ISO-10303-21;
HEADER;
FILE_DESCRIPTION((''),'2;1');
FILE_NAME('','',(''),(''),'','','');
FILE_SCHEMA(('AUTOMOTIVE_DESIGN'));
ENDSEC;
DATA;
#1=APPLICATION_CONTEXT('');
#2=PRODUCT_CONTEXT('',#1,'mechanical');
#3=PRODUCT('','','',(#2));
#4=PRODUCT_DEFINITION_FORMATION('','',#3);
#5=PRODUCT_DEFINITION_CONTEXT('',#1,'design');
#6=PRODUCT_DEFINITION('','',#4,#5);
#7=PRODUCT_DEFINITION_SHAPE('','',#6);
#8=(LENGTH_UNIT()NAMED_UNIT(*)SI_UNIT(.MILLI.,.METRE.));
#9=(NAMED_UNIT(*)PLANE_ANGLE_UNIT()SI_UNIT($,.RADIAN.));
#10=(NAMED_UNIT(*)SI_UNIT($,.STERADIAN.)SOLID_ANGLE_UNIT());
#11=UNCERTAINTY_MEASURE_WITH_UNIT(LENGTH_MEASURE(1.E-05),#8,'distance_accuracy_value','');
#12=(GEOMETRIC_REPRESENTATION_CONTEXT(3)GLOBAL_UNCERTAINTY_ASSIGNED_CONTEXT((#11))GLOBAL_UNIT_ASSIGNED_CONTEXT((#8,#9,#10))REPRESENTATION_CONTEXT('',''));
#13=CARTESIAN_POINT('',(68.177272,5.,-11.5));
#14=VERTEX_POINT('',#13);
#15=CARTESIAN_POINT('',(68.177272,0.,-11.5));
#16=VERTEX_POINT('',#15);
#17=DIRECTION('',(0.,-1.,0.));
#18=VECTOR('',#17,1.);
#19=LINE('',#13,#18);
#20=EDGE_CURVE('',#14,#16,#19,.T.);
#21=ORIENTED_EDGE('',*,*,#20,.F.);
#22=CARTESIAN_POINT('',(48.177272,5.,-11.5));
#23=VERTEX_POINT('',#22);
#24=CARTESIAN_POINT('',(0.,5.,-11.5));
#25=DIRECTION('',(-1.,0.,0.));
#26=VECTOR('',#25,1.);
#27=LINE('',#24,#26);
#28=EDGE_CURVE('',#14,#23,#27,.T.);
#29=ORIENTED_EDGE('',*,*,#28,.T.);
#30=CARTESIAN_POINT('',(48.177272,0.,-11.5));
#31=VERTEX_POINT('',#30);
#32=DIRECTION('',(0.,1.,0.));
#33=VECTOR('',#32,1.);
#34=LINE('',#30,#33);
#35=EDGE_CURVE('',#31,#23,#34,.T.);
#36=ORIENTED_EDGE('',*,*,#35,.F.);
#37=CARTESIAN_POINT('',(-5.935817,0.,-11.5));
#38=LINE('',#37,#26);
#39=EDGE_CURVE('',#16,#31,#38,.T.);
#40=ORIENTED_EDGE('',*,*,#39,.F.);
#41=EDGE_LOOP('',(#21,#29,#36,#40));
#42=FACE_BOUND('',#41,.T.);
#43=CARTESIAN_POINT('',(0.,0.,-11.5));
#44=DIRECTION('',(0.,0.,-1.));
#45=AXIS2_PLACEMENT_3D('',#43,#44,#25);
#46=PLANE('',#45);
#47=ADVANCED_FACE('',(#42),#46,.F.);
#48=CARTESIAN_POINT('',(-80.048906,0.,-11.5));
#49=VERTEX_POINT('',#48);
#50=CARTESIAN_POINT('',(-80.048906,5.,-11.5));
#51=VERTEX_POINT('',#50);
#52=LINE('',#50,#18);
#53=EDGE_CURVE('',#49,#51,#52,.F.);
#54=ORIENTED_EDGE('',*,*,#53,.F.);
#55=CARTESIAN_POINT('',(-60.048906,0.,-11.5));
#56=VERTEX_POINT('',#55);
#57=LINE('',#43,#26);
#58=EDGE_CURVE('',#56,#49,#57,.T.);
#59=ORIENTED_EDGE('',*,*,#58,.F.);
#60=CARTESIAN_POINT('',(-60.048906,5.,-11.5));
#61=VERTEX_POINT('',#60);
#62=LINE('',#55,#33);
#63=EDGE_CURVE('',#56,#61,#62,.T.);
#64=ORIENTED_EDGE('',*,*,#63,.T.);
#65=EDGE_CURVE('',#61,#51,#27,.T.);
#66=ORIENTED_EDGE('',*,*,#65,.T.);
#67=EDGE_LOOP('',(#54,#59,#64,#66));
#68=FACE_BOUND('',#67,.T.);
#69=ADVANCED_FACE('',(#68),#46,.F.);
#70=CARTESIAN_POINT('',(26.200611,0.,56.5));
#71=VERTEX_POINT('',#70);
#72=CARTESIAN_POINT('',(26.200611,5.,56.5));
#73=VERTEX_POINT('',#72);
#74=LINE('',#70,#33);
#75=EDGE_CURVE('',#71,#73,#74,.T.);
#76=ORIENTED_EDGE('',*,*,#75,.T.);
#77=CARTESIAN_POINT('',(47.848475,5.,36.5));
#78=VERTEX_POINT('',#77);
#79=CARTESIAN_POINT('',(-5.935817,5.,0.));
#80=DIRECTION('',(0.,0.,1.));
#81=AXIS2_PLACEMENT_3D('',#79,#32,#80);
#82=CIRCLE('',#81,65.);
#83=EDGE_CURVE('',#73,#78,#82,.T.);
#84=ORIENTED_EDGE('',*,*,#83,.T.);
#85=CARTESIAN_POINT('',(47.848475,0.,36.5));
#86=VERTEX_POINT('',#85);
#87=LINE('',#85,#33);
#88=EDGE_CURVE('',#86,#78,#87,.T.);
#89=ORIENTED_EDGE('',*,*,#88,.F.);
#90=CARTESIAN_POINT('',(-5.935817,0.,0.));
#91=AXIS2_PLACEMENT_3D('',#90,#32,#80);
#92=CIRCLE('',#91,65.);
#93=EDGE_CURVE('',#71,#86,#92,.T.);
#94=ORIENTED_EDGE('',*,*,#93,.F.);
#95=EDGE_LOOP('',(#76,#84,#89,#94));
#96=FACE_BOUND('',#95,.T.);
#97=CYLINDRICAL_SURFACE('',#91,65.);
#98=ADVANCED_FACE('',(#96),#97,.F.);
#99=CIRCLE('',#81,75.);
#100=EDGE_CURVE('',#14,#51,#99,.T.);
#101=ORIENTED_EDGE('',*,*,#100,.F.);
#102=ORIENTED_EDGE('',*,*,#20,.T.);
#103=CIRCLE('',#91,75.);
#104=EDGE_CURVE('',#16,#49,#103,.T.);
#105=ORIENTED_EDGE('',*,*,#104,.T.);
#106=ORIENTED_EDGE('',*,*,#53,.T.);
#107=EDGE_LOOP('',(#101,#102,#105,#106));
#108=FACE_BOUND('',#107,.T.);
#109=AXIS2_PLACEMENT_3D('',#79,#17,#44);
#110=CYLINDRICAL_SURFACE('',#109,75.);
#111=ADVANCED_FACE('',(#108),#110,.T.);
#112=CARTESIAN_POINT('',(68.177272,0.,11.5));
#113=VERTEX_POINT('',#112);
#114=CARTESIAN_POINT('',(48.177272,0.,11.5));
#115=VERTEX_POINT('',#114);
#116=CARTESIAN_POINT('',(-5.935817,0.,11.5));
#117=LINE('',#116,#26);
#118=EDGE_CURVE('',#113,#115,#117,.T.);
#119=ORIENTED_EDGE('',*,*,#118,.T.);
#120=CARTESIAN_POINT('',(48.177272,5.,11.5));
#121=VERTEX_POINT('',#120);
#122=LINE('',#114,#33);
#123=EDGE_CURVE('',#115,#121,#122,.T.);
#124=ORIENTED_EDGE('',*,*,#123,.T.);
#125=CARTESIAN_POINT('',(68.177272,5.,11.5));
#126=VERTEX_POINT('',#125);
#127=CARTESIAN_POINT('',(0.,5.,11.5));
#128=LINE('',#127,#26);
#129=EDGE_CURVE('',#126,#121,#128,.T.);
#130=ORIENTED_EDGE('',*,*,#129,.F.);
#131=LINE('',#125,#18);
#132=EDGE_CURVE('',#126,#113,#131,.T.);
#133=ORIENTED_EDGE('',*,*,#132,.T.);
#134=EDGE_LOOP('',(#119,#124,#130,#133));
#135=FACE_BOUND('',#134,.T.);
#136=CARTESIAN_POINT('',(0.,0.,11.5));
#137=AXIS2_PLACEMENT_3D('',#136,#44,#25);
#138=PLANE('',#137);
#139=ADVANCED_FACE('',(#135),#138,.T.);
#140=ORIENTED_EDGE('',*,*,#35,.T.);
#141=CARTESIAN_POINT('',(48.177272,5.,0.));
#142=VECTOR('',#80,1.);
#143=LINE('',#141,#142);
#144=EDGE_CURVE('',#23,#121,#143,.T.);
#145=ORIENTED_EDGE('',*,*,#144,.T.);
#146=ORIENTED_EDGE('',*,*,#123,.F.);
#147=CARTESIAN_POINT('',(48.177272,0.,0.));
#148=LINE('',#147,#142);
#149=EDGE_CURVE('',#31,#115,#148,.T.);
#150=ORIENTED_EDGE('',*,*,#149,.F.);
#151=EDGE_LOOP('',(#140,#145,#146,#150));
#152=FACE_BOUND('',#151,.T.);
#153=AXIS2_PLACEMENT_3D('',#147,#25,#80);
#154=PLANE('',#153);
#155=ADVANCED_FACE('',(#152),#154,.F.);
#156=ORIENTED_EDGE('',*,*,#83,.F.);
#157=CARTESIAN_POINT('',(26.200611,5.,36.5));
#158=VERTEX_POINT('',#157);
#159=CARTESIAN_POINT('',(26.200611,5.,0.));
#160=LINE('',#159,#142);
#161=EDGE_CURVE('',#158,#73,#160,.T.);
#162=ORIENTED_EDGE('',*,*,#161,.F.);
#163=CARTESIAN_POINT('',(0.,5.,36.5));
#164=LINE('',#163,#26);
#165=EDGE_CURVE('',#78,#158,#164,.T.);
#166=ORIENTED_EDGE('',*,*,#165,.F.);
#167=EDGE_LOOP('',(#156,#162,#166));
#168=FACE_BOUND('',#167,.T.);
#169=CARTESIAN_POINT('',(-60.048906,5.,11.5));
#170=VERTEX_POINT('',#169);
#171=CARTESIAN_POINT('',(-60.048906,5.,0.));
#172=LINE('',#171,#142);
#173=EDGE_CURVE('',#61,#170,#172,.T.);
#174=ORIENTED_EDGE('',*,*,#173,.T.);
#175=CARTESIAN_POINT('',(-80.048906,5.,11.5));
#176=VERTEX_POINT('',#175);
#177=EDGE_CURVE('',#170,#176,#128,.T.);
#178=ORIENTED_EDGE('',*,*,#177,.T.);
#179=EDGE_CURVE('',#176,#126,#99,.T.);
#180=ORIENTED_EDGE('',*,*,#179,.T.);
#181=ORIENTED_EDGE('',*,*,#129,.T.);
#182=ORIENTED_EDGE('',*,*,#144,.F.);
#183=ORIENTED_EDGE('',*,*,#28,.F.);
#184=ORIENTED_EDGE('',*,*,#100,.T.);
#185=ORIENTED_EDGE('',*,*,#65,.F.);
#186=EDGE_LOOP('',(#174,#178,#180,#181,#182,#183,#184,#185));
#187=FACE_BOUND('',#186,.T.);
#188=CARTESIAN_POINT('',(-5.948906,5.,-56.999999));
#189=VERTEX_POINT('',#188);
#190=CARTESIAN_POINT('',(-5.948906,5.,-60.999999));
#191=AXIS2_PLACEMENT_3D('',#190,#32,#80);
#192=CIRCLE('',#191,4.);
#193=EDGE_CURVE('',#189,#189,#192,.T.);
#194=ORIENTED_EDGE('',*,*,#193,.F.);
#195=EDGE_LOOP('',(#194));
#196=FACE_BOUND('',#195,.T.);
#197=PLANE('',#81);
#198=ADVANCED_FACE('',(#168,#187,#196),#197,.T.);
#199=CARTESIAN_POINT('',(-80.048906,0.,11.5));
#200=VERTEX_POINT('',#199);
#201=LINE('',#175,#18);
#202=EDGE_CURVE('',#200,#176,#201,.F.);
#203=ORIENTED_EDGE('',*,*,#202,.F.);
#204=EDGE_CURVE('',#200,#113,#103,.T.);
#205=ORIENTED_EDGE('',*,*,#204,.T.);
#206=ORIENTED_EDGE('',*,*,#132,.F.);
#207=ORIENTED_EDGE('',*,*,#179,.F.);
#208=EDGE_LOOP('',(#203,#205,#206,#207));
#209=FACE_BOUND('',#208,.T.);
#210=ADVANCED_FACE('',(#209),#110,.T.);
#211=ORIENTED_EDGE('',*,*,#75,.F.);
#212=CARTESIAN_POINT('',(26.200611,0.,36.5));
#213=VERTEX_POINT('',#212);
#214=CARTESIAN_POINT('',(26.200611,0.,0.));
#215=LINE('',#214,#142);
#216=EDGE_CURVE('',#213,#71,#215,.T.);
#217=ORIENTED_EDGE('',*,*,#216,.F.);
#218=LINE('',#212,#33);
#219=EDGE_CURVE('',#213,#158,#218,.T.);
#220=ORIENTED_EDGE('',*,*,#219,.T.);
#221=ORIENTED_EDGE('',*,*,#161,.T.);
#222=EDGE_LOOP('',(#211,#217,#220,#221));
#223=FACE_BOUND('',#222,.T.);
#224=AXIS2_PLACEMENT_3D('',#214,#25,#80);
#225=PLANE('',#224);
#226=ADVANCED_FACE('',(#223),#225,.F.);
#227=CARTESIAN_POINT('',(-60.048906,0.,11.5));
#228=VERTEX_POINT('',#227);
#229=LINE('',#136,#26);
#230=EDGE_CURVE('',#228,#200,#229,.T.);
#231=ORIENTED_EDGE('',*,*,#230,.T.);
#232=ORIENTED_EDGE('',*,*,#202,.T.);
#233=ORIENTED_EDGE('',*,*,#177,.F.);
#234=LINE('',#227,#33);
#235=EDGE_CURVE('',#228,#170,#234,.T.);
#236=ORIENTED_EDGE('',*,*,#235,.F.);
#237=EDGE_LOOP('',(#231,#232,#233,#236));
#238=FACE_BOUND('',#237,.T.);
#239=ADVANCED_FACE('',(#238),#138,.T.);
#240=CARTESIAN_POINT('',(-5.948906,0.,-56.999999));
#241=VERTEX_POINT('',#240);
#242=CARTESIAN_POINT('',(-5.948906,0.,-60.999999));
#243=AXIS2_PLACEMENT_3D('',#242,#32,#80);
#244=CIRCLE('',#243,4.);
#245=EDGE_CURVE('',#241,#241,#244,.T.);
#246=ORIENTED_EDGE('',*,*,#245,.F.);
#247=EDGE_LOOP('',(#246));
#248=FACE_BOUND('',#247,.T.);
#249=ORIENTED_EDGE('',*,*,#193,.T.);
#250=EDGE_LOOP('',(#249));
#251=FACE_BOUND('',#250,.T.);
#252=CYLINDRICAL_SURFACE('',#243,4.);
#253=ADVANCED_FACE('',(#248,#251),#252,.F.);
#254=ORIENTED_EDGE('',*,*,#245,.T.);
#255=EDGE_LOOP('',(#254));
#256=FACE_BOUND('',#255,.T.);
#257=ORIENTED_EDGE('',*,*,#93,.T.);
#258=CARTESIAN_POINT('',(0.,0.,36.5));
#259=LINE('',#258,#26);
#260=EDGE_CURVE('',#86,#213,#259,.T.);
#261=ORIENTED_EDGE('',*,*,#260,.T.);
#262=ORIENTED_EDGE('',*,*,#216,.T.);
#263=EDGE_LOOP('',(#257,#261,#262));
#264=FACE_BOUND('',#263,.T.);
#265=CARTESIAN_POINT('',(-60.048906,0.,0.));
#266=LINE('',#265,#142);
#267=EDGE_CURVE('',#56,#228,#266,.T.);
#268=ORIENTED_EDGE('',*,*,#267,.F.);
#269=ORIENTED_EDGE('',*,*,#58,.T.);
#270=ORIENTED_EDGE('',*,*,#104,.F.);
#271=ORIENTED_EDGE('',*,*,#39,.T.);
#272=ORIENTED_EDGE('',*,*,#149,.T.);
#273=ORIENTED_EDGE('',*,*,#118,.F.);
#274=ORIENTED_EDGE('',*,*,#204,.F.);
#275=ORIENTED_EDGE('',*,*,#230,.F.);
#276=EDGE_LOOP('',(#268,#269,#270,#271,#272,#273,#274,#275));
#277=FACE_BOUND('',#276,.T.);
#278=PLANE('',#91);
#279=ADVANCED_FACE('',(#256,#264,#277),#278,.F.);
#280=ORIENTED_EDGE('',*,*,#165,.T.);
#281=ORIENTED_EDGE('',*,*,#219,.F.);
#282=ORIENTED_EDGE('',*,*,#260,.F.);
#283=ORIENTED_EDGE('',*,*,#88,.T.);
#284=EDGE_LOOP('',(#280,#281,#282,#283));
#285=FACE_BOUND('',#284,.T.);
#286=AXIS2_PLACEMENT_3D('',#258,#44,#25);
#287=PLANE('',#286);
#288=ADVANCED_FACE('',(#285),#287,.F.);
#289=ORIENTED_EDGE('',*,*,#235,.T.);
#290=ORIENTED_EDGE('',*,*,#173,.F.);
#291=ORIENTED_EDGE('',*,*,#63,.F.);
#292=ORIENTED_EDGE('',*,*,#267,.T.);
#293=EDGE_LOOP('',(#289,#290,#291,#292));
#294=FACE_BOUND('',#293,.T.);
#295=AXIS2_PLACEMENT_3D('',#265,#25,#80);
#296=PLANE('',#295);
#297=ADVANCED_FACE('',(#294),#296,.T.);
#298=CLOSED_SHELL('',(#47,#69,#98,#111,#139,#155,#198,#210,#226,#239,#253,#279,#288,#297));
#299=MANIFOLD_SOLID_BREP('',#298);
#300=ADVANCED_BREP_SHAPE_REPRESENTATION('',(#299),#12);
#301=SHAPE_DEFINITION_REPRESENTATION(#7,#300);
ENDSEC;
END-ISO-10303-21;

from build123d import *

# Parameters (mm, degrees)
SKETCH1_R           = 75
BOSS_EXTRUDE1_DEPTH = 5
SKETCH2_R           = 4
CUT_EXTRUDE1_DEPTH  = 5


with BuildPart() as part:
    # Sketch1 → Boss-Extrude1 (new body)
    with BuildSketch(Plane(origin=(0, 0, 0), x_dir=(1, 0, 0), z_dir=(0, 1, 0))):
        with Locations((-5.935816789, 0)):
            Circle(SKETCH1_R)
    extrude(amount=BOSS_EXTRUDE1_DEPTH)

    # Sketch2 → Cut-Extrude1 (cut)
    with BuildSketch(Plane(origin=(0, 5, 0), x_dir=(1, 0, 0), z_dir=(0, 1, 0))):
        with BuildLine():
            ThreePointArc((-80.048906052, -11.5), (-80.935816789, 0), (-80.048906052, 11.5))
            Line((-80.048906052, 11.5), (-89.004044114, 11.5))
            Line((-89.004044114, 11.5), (-89.004044114, -11.5))
            Line((-89.004044114, -11.5), (-80.048906052, -11.5))
        make_face()
        with BuildLine():
            Line((-69.910421126, 11.5), (-80.048906052, 11.5))
            Line((-80.048906052, 11.5), (-80.048906052, -11.5))
            Line((-80.048906052, -11.5), (-69.910421126, -11.5))
            ThreePointArc((-69.910421126, -11.5), (-70.935816789, 0), (-69.910421126, 11.5))
        make_face()
        with BuildLine():
            Line((-60.048906052, 11.5), (-69.910421126, 11.5))
            ThreePointArc((-69.910421126, 11.5), (-70.935816789, 0), (-69.910421126, -11.5))
            Line((-69.910421126, -11.5), (-60.048906052, -11.5))
            Line((-60.048906052, -11.5), (-60.048906052, 11.5))
        make_face()
        with BuildLine():
            ThreePointArc((59.064183211, 0), (58.807326793, 5.772812059), (58.038787547, 11.5))
            Line((58.038787547, 11.5), (48.177272473, 11.5))
            Line((48.177272473, 11.5), (48.177272473, -11.5))
            Line((48.177272473, -11.5), (58.038787547, -11.5))
            ThreePointArc((58.038787547, -11.5), (58.807326793, -5.772812059), (59.064183211, 0))
        make_face()
        with BuildLine():
            Line((68.177272473, -11.5), (68.177272473, 11.5))
            Line((68.177272473, 11.5), (58.038787547, 11.5))
            ThreePointArc((58.038787547, 11.5), (58.807326793, 5.772812059), (59.064183211, 0))
            ThreePointArc((59.064183211, 0), (58.807326793, -5.772812059), (58.038787547, -11.5))
            Line((58.038787547, -11.5), (68.177272473, -11.5))
        make_face()
        with BuildLine():
            Line((83.116270972, 11.5), (68.177272473, 11.5))
            ThreePointArc((68.177272473, 11.5), (68.842126799, 5.767074879), (69.064183211, 0))
            ThreePointArc((69.064183211, 0), (68.842126799, -5.767074879), (68.177272473, -11.5))
            Line((68.177272473, -11.5), (83.116270972, -11.5))
            Line((83.116270972, -11.5), (83.116270972, 11.5))
        make_face()
        with BuildLine():
            Line((26.200611139, -36.5), (26.200611139, -56.5))
            ThreePointArc((26.200611139, -56.5), (38.173054222, -47.743140849), (47.848474598, -36.5))
            Line((47.848474598, -36.5), (26.200611139, -36.5))
        make_face()
        with Locations((-5.948906052, 60.999998596)):
            Circle(SKETCH2_R)
        with BuildLine():
            Line((-80.048906052, -11.5), (-80.048906052, 11.5))
            ThreePointArc((-80.048906052, 11.5), (-80.935816789, 0), (-80.048906052, -11.5))
        make_face()
        with BuildLine():
            ThreePointArc((69.064183211, 0), (68.842126799, 5.767074879), (68.177272473, 11.5))
            Line((68.177272473, 11.5), (68.177272473, -11.5))
            ThreePointArc((68.177272473, -11.5), (68.842126799, -5.767074879), (69.064183211, 0))
        make_face()
    extrude(amount=-CUT_EXTRUDE1_DEPTH, mode=Mode.SUBTRACT)


solid = part.part
